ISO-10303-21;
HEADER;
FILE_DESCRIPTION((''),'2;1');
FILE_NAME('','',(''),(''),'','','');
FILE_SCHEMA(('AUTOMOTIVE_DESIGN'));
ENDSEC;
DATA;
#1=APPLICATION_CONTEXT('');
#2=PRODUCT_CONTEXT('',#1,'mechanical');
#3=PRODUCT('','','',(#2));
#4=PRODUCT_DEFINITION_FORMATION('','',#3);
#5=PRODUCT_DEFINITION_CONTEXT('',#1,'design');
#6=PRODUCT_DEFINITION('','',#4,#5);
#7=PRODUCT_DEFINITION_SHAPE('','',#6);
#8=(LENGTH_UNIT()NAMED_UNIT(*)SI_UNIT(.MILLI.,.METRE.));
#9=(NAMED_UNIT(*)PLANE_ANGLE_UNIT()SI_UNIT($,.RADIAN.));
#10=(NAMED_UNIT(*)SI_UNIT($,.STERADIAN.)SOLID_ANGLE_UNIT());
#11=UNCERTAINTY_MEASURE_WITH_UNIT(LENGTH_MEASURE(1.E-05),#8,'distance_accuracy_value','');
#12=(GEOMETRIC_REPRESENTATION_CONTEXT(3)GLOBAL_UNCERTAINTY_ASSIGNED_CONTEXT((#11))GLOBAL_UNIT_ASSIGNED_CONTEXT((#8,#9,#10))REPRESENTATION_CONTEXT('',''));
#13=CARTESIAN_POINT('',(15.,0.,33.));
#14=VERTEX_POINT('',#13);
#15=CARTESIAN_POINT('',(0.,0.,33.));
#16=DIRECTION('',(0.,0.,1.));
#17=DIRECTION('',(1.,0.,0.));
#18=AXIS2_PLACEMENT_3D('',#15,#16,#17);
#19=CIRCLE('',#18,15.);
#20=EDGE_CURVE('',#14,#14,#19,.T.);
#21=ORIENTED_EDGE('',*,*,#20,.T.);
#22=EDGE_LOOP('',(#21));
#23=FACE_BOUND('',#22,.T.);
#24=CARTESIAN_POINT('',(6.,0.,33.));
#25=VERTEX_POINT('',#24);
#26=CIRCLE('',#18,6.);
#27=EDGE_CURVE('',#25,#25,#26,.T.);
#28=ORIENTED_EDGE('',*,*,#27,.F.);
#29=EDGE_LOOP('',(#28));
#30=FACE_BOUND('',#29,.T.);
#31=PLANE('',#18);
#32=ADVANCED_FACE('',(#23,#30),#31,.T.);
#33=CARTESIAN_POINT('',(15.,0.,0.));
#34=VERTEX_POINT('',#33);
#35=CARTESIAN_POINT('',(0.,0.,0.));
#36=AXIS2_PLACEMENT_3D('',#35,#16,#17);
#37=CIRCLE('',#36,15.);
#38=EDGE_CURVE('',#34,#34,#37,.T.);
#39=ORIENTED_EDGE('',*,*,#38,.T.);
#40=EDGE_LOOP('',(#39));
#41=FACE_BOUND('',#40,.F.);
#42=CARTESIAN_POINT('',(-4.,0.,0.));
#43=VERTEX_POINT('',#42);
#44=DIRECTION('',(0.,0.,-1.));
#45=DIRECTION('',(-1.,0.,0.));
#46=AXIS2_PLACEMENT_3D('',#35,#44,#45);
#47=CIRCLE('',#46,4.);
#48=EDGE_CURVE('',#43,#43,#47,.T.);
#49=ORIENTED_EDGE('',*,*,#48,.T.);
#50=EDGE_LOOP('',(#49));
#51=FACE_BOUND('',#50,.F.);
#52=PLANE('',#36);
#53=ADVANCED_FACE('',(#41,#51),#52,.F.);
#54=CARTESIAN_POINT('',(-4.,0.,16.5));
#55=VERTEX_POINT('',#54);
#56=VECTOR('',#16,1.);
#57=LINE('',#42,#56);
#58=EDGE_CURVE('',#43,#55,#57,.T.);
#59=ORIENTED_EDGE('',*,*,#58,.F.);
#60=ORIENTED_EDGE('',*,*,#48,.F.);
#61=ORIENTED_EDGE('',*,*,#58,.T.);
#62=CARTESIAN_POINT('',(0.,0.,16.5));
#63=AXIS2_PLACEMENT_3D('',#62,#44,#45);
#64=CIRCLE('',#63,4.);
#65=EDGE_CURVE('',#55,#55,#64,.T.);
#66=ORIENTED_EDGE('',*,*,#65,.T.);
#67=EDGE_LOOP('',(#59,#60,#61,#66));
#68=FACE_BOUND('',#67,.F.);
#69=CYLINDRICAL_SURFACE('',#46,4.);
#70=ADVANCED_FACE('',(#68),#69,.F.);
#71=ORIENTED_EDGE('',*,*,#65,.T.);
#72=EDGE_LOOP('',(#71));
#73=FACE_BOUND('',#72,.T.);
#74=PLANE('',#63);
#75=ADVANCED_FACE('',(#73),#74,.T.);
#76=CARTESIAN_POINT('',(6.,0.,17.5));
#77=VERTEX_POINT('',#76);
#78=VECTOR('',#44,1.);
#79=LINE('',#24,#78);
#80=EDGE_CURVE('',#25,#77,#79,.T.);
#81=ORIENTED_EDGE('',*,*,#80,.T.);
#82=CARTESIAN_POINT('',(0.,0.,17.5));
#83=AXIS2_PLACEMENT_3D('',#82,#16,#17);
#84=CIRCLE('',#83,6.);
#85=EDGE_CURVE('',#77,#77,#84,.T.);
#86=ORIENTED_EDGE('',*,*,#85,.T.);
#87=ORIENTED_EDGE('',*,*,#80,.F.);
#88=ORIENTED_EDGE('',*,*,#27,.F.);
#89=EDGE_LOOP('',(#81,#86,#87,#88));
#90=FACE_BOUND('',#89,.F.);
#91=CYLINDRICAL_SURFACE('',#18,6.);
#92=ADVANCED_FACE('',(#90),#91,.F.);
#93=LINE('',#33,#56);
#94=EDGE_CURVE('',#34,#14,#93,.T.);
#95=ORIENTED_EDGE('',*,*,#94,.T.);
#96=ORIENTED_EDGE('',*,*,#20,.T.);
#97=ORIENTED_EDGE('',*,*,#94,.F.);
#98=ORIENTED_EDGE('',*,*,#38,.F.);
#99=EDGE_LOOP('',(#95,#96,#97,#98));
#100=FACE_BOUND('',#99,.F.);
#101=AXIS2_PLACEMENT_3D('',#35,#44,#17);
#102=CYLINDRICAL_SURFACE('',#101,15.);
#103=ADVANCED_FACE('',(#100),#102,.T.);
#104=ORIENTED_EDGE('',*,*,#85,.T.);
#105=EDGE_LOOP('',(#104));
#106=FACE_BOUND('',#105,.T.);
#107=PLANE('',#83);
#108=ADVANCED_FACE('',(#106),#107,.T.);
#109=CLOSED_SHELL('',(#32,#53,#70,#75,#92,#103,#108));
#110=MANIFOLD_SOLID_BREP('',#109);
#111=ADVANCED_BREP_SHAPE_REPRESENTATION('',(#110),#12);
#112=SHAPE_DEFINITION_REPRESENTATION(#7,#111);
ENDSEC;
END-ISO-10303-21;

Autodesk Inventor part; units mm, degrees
ref_plane "YZ Plane" through (0, 0, 0) normal (1, 0, 0) x (0, 1, 0)
ref_plane "XZ Plane" through (0, 0, 0) normal (0, 1, 0) x (-1, 0, 0)
ref_plane "XY Plane" through (0, 0, 0) normal (0, 0, 1) x (1, 0, 0)
sketch "スケッチ1" plane through (0, 0, 0) normal (0, 0, 1) x (1, 0, 0)
  circle A0 centre (0, 0) radius 15
  dimension "d0" = 30
extrude "押し出し1" add sketch "スケッチ1" along normal blind 33
sketch "スケッチ2" plane through (0, 0, 33) normal (0, 0, 1) x (1, 0, 0)
  circle A0 centre (0, 0) radius 6
  dimension "d3" = 12
extrude "押し出し2" cut sketch "スケッチ2" against normal blind 15.5
sketch "スケッチ3" plane through (0, 0, 0) normal (0, 0, -1) x (-1, 0, 0)
  circle A0 centre (0, 0) radius 4
  dimension "d6" = 8
extrude "押し出し3" cut sketch "スケッチ3" against normal blind 16.5
properties part number "カップリング"
